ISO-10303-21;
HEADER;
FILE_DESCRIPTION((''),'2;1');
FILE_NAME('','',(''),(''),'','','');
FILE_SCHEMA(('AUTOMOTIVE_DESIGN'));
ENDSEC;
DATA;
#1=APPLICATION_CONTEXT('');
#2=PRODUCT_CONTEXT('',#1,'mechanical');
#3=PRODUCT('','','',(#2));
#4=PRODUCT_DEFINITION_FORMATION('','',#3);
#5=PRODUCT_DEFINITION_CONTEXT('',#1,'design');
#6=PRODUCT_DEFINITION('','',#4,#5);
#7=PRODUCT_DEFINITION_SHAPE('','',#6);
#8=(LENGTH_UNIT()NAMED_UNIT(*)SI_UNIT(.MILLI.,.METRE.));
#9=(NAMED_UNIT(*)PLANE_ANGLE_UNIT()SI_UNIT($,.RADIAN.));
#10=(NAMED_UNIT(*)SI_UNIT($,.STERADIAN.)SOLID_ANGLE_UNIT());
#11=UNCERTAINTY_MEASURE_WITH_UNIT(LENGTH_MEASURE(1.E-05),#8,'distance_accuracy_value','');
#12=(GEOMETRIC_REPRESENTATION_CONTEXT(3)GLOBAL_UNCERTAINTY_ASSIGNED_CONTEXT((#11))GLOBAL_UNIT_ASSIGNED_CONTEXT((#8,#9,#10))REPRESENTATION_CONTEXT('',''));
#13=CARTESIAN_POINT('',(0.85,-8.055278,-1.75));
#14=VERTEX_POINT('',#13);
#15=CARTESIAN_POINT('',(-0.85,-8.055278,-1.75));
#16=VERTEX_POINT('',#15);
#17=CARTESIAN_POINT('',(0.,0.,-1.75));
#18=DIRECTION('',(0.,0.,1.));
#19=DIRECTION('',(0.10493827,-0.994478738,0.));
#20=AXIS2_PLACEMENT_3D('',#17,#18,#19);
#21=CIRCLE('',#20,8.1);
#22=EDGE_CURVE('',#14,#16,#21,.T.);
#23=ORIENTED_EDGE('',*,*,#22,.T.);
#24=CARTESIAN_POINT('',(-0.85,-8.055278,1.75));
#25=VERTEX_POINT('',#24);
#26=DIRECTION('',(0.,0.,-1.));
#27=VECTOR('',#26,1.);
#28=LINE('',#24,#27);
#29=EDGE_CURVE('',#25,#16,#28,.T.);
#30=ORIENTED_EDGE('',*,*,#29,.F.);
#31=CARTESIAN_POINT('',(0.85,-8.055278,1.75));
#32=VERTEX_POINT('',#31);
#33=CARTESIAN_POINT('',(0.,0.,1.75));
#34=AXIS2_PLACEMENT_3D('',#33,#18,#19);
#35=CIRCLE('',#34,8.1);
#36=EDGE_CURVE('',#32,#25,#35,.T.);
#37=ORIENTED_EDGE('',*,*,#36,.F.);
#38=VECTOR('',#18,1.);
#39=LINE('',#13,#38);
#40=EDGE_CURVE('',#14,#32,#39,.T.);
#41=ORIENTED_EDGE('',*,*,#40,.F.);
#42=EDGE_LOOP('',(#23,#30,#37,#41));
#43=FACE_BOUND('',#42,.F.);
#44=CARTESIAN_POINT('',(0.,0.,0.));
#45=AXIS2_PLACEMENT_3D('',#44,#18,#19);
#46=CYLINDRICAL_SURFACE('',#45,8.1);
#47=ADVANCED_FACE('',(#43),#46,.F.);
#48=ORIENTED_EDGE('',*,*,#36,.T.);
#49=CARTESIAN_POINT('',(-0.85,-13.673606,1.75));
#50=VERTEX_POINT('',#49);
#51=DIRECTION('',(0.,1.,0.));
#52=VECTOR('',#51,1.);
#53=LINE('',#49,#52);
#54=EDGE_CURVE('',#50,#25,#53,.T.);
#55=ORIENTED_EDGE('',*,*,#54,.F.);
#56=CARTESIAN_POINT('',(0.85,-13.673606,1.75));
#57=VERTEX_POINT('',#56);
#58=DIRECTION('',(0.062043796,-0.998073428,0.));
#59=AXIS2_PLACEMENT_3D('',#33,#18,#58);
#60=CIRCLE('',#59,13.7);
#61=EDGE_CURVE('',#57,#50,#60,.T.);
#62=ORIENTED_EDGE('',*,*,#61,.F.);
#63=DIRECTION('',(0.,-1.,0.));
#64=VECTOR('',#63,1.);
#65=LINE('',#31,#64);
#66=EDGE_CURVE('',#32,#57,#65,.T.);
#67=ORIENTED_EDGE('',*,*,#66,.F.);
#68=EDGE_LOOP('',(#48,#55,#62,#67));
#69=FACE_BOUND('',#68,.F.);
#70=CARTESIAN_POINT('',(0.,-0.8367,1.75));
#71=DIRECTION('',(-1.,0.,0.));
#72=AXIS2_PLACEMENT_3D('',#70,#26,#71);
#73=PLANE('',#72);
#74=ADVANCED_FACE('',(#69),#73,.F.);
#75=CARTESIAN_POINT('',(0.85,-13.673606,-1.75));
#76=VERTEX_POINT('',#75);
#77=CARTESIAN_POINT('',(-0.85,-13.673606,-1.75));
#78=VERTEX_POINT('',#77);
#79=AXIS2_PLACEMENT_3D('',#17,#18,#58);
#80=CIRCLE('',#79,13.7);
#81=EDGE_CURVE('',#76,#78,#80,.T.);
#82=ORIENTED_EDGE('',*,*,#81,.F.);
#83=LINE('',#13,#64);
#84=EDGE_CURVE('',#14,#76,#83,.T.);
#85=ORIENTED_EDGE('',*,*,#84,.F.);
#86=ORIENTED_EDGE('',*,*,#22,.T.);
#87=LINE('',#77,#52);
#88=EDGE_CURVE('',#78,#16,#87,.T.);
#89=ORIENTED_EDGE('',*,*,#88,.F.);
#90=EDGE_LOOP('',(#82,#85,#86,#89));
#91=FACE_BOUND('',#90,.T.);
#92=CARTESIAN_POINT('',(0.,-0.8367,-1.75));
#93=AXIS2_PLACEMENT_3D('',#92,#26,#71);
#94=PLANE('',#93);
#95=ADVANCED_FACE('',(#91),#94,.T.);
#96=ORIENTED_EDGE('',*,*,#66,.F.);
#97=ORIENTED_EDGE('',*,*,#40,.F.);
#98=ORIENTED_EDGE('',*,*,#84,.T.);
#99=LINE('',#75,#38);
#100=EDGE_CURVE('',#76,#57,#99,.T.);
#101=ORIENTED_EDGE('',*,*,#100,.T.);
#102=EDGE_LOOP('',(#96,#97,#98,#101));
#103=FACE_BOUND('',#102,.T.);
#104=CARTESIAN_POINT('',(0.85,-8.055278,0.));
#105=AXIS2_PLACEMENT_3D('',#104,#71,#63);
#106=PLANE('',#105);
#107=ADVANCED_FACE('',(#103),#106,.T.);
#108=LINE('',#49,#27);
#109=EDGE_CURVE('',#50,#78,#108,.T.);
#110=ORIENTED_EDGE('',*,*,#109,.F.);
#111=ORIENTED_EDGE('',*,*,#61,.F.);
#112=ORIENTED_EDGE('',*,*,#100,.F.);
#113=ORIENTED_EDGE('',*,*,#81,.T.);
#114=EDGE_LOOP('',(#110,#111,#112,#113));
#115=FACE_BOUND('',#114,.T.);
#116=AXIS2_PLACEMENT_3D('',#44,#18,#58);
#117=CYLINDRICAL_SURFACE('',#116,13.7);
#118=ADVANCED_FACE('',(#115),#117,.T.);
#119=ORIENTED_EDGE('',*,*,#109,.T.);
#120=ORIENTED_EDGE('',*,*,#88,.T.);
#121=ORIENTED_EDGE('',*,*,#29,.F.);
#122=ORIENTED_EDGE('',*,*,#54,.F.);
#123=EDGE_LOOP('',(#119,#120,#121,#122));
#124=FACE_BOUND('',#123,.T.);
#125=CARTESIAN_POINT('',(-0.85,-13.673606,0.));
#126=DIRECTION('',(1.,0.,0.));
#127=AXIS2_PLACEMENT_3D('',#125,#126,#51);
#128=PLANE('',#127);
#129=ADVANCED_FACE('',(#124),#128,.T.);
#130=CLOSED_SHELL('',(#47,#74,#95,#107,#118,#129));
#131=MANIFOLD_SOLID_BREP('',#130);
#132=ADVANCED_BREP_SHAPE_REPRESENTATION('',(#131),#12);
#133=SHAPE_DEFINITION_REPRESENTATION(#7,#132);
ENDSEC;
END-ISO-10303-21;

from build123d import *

# Parameters (mm, degrees)
PAD_DEPTH = 1.75


with BuildPart() as part:
    # Sketch → Pad (new body, symmetric)
    with BuildSketch(Plane.XY):
        with BuildLine():
            ThreePointArc((0.85, -8.055278), (0, 8.1), (-0.85, -8.055278))
            Line((-0.85, -13.673606), (-0.85, -8.055278))
            ThreePointArc((0.85, -13.673606), (0, 13.7), (-0.85, -13.673606))
            Line((0.85, -8.055278), (0.85, -13.673606))
        make_face()
    extrude(amount=PAD_DEPTH, both=True)


solid = part.part
